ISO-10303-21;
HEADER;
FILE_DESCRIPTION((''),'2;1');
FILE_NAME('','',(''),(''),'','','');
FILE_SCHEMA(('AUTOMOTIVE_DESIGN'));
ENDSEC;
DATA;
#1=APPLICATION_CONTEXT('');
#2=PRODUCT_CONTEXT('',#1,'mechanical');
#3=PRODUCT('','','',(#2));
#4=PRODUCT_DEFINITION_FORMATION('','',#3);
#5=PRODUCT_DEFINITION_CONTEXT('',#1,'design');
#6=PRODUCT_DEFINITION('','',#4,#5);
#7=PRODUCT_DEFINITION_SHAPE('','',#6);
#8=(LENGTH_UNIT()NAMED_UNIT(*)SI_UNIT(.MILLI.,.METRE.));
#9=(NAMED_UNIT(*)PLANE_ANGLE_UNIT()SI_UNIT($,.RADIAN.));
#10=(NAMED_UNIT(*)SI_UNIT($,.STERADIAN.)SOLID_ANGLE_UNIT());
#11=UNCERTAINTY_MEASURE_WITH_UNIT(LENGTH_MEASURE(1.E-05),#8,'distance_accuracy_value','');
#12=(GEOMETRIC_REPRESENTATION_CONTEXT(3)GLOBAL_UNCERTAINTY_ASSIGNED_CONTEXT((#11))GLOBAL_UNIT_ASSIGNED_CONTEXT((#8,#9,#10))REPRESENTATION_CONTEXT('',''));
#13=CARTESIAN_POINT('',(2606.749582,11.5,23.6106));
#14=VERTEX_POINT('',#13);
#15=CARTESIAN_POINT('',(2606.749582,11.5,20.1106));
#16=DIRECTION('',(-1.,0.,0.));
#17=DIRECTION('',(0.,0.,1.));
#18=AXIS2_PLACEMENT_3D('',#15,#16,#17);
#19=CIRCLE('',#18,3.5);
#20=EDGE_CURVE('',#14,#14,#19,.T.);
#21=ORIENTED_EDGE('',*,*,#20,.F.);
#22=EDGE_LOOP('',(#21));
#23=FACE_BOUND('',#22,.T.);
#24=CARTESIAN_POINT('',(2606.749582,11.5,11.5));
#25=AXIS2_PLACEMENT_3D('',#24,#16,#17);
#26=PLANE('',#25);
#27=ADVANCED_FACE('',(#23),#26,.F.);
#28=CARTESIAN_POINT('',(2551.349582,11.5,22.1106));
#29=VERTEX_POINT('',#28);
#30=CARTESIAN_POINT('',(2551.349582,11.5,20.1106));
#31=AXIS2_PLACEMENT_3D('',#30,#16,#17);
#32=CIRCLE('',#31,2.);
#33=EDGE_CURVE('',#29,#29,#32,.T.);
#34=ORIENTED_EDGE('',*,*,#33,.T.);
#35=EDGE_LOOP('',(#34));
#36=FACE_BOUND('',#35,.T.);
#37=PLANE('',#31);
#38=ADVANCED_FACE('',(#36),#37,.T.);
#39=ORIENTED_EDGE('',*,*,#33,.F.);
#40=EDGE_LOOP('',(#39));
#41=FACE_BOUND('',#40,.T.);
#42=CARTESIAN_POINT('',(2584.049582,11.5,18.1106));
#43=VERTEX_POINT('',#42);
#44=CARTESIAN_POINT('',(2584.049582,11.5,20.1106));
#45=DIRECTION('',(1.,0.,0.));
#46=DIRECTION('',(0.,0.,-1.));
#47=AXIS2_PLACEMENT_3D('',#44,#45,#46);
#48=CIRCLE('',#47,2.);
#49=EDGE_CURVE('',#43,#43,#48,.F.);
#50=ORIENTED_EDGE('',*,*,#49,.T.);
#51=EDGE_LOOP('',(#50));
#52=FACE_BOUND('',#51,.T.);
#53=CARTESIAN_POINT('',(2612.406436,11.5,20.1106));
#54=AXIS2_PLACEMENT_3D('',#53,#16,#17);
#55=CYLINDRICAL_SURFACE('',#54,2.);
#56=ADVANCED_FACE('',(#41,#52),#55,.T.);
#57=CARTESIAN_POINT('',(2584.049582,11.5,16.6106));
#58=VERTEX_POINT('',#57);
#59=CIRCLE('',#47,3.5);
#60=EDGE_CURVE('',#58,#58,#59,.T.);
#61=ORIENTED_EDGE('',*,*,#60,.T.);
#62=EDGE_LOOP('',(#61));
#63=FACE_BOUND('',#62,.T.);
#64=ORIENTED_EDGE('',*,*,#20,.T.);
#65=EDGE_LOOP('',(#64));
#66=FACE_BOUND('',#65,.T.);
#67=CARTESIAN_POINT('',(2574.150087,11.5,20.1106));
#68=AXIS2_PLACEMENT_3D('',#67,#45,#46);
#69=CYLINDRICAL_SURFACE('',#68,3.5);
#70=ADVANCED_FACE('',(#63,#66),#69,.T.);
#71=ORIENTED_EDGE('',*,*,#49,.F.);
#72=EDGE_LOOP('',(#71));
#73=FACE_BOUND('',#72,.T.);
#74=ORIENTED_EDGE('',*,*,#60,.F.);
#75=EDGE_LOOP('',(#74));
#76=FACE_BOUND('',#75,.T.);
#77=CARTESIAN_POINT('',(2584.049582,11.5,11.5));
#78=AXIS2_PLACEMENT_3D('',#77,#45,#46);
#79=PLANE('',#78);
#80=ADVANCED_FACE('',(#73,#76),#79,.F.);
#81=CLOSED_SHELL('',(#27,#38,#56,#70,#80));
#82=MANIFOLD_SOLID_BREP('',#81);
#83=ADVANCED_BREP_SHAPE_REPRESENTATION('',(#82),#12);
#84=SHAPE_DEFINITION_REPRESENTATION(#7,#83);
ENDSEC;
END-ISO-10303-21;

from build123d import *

# Parameters (mm, degrees)
SKETCH3_R           = 2
BASE_EXTRUDE_DEPTH  = 55.4
SKETCH4_R           = 3.5
BOSS_EXTRUDE1_DEPTH = 22.7


with BuildPart() as part:
    # Sketch3 → Base-Extrude (new body)
    with BuildSketch(Plane.ZY.offset(-2551.349581797)):
        with Locations((20.1106, 11.5)):
            Circle(SKETCH3_R)
    extrude(amount=-BASE_EXTRUDE_DEPTH)

    # Sketch4 → Boss-Extrude1 (add)
    with BuildSketch(Plane.ZY.offset(-2606.749581797)):
        with Locations(Location((20.1106, 11.5, 0), (0, 0, 180))):
            Circle(SKETCH4_R)
    extrude(amount=BOSS_EXTRUDE1_DEPTH)


solid = part.part
